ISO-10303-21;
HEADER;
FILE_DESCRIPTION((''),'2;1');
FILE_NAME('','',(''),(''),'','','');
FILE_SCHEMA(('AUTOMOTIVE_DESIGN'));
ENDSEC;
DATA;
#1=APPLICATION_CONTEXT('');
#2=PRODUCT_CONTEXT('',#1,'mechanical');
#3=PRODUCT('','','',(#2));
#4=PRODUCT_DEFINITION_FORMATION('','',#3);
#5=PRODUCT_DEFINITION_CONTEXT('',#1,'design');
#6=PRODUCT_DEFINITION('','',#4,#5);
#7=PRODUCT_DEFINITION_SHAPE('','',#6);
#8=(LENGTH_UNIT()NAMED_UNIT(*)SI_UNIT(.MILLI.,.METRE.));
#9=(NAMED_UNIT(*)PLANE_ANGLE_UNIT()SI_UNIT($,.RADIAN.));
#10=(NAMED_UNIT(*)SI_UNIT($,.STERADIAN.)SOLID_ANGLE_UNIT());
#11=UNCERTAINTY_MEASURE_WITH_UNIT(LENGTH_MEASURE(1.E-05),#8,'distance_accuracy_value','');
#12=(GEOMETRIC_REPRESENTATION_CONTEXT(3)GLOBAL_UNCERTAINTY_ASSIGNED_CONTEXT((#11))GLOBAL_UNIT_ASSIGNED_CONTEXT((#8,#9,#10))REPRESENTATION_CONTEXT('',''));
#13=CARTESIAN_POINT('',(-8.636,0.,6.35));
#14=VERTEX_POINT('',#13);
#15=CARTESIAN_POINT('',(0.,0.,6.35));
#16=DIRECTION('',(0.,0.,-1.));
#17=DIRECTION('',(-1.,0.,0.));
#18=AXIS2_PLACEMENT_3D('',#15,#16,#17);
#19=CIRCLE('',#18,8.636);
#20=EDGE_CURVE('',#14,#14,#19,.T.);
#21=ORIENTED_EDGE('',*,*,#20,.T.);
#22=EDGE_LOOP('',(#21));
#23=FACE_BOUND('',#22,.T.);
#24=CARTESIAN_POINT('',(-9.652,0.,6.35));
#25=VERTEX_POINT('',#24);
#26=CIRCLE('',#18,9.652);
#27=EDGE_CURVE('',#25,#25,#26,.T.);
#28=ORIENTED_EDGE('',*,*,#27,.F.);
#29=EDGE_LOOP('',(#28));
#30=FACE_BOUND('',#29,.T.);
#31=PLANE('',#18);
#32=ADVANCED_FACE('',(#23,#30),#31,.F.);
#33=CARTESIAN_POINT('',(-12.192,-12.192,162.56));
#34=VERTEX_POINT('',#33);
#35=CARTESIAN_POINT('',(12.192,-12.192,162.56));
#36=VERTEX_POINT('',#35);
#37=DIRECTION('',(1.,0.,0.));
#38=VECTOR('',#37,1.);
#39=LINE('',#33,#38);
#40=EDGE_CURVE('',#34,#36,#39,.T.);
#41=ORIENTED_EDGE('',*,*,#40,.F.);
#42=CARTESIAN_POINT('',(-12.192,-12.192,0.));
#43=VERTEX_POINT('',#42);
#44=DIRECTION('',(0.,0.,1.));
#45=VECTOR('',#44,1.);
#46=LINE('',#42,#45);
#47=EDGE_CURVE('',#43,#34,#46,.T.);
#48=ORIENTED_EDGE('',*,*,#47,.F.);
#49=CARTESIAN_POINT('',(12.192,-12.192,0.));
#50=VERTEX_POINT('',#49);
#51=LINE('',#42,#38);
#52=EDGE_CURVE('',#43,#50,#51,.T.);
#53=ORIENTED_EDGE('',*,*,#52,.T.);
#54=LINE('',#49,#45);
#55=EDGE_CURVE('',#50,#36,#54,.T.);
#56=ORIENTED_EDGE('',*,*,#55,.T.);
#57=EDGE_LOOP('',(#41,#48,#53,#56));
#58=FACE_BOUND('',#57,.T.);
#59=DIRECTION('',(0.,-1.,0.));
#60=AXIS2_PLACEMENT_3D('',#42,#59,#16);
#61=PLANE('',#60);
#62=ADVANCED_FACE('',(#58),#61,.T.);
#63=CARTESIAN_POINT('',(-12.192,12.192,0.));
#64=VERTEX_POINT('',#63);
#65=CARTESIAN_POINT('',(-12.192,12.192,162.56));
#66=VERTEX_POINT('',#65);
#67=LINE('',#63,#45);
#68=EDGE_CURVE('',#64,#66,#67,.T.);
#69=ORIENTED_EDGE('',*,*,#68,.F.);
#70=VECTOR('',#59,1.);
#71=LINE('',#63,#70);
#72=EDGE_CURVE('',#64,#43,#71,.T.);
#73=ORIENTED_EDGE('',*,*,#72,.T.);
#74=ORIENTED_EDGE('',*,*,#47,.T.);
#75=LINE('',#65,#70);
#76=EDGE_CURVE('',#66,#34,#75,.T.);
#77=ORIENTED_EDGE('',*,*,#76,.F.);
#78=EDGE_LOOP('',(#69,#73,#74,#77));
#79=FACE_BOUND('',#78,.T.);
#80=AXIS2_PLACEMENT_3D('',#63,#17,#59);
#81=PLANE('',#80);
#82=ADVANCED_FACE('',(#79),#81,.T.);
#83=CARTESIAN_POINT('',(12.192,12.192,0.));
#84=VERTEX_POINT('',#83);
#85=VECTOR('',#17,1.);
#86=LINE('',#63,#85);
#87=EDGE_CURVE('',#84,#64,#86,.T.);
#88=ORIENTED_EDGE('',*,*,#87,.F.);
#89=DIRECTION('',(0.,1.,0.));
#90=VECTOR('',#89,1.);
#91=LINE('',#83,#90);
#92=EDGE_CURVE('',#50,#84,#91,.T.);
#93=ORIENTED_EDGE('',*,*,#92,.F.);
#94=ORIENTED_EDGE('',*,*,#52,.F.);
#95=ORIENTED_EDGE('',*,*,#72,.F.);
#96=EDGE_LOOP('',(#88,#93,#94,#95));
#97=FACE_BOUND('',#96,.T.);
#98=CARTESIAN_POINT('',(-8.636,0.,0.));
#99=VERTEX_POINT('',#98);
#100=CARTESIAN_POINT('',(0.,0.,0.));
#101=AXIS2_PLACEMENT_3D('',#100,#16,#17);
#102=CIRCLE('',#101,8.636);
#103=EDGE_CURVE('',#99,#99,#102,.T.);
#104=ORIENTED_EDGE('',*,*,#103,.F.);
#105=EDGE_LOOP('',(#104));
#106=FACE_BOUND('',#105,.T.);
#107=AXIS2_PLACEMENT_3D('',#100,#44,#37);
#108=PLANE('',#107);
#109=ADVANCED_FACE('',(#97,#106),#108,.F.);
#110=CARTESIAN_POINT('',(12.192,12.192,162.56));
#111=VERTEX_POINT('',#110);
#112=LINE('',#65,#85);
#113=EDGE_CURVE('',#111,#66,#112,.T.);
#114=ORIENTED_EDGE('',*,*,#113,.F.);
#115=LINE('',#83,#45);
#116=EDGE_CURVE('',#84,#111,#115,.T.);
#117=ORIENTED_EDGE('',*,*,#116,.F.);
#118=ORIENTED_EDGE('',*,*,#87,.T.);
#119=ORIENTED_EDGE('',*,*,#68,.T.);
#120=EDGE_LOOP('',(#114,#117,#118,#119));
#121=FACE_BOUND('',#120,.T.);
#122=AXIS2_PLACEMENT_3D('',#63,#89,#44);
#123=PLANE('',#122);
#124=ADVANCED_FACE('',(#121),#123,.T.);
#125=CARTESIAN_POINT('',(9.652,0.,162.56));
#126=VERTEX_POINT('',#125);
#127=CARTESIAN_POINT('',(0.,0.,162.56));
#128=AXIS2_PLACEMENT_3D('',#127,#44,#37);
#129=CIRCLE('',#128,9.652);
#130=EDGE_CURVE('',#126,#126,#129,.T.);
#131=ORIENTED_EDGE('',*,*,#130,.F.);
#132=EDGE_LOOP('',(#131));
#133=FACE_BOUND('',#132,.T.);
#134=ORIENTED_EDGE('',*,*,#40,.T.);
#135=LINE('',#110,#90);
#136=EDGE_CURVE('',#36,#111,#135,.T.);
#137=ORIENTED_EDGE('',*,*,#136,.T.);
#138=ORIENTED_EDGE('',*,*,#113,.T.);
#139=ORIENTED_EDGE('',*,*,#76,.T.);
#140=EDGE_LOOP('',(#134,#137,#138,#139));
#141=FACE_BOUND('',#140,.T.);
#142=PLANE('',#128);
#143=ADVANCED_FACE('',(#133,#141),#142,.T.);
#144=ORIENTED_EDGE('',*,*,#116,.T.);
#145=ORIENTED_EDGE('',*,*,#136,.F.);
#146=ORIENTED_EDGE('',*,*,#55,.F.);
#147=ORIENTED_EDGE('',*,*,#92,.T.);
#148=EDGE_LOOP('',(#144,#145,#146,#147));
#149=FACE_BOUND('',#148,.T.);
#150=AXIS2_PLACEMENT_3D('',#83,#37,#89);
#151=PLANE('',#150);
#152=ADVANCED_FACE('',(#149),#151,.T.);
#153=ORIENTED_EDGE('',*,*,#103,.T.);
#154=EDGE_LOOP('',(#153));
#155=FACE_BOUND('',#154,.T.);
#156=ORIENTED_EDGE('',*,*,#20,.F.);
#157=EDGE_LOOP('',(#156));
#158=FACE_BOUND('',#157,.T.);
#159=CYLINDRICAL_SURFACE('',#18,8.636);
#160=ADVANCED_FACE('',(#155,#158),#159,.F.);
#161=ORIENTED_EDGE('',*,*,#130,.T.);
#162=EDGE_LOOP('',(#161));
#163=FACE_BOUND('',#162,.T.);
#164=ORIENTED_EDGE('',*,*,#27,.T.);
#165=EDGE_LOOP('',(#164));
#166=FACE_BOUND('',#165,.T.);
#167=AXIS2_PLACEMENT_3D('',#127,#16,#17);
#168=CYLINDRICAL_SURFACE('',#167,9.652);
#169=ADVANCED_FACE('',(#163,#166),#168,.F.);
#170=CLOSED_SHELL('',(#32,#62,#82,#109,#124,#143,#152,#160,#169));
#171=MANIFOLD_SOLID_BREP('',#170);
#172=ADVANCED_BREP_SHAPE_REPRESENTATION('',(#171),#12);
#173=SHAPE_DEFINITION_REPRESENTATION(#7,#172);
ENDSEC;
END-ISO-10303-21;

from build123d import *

# Parameters (mm, degrees)
SKETCH1_R                = 12.192
SKETCH1_R_2              = 9.652
MAIN_INNER_TUBE_DEPTH    = 162.56
SKETCH3_R                = 9.652
SKETCH3_R_2              = 8.636
INNER_BLOCKING_LIP_DEPTH = 6.35
SKETCH6_W                = 24.384
SKETCH6_H                = 24.384
SKETCH6_R                = 9.652
RECTANGLE_OUTSIDE_DEPTH  = 162.56


with BuildPart() as part:
    # Sketch1 → Main Inner Tube (new body)
    with BuildSketch(Plane.XY):
        Circle(SKETCH1_R)
        Circle(SKETCH1_R_2, mode=Mode.SUBTRACT)
    extrude(amount=MAIN_INNER_TUBE_DEPTH)

    # Sketch3 → Inner Blocking Lip (add)
    with BuildSketch(Plane(origin=(0, 0, 0), x_dir=(-1, 0, 0), z_dir=(0, 0, -1))):
        Circle(SKETCH3_R)
        Circle(SKETCH3_R_2, mode=Mode.SUBTRACT)
    extrude(amount=-INNER_BLOCKING_LIP_DEPTH)

    # Sketch6 → Rectangle Outside (add, through all)
    with BuildSketch(Plane.XY.offset(162.56)):
        Rectangle(SKETCH6_W, SKETCH6_H)
        with Locations(Location((0, 0, 0), (0, 0, 180))):
            Circle(SKETCH6_R, mode=Mode.SUBTRACT)
    extrude(amount=-RECTANGLE_OUTSIDE_DEPTH)


solid = part.part
